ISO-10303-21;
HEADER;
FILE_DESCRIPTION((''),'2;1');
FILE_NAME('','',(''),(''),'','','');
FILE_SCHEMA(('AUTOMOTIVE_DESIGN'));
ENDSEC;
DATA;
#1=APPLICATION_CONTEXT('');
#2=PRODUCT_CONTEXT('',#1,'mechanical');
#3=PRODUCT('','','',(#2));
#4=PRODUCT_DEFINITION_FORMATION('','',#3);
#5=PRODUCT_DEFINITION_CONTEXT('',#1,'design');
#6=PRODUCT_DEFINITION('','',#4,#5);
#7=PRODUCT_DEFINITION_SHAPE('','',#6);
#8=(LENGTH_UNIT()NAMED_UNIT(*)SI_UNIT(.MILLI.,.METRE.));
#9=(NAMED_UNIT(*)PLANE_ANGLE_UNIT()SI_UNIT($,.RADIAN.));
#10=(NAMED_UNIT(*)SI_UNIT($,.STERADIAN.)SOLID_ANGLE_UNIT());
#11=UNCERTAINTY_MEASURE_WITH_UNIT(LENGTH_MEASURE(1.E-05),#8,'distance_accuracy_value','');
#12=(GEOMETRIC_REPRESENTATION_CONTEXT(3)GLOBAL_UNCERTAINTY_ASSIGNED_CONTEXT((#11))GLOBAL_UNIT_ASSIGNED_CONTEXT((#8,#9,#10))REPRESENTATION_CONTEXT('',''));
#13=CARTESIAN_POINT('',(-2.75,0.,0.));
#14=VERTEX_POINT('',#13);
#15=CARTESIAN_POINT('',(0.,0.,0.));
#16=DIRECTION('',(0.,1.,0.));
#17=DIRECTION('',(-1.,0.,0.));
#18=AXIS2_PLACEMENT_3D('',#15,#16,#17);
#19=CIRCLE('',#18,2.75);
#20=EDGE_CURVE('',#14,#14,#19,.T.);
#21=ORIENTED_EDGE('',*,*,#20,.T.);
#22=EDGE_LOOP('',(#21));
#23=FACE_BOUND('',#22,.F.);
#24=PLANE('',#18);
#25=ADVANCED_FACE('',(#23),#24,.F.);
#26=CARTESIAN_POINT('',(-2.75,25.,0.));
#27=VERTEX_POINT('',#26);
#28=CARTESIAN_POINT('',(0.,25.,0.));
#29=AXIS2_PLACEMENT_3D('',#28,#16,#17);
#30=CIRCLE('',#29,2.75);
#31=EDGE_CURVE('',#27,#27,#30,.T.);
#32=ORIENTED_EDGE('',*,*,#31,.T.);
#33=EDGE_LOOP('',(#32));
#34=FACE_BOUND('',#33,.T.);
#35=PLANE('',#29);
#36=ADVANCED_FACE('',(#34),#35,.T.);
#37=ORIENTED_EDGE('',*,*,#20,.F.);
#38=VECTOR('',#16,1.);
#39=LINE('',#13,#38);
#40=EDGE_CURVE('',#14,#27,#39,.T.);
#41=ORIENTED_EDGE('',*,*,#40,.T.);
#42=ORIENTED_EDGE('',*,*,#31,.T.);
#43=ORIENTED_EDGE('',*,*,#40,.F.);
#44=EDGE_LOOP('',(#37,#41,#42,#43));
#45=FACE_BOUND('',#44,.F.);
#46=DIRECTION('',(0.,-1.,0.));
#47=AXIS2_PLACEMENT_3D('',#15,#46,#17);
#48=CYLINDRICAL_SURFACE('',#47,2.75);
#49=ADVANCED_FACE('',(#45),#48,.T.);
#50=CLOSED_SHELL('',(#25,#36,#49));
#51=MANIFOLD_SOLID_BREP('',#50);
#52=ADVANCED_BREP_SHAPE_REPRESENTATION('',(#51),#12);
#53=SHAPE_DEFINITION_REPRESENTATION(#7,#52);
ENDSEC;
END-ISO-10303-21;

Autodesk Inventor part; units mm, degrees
ref_plane "YZ Plane" through (0, 0, 0) normal (1, 0, 0) x (0, 1, 0)
ref_plane "XZ Plane" through (0, 0, 0) normal (0, 1, 0) x (-1, 0, 0)
ref_plane "XY Plane" through (0, 0, 0) normal (0, 0, 1) x (1, 0, 0)
sketch "Esquisse1" plane through (0, 0, 0) normal (0, 1, 0) x (-1, 0, 0)
  circle A0 centre (0, 0) radius 2.75
  dimension "d0" = 5.5
extrude "Extrusion1" add sketch "Esquisse1" along normal blind 25
properties part number "cylindre_test_1"
